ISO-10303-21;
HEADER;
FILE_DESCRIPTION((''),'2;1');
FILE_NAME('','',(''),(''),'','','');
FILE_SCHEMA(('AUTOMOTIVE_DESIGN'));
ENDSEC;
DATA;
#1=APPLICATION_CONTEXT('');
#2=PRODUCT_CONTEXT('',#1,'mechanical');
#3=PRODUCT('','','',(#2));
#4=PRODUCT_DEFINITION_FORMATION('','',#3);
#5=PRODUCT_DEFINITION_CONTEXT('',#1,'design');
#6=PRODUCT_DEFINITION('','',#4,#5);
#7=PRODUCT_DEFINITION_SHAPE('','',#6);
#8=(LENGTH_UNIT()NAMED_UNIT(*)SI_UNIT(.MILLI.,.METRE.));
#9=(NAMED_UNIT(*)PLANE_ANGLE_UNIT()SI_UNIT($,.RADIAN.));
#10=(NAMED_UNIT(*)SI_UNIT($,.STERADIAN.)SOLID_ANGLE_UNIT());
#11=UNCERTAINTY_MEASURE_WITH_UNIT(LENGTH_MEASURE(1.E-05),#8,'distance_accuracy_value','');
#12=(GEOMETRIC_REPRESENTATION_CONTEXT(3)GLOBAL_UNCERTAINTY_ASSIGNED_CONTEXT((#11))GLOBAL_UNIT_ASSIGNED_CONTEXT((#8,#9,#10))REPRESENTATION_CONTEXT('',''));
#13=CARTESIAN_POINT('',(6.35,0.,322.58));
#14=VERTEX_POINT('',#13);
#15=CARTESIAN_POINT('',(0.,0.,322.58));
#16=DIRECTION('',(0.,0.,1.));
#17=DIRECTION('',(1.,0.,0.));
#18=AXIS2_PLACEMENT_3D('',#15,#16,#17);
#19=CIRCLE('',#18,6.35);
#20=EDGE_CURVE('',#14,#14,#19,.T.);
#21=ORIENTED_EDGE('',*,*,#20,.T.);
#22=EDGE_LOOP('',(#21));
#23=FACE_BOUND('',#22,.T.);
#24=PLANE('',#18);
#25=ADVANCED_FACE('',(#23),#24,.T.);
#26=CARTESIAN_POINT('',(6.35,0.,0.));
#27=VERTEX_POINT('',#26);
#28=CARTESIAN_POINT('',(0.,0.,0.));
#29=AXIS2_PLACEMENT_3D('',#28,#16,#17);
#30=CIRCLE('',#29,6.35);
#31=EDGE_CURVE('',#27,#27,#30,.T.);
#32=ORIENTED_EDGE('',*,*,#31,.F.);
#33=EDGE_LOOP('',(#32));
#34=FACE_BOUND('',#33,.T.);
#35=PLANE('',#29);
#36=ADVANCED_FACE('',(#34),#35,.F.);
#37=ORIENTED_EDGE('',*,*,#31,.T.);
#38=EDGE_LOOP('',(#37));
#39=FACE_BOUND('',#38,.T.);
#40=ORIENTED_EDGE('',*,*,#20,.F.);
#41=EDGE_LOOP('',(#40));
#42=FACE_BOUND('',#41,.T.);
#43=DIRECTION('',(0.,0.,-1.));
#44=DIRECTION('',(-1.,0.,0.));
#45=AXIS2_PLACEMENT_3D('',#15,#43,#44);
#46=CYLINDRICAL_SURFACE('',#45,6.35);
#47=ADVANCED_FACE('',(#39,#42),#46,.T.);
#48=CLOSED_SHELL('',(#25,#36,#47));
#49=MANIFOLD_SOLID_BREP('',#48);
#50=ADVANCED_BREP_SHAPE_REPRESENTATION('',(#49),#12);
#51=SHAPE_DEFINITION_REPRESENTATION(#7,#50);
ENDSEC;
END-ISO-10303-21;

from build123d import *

# Parameters (mm, degrees)
SKETCH1_R           = 6.35
BOSS_EXTRUDE1_DEPTH = 322.58


with BuildPart() as part:
    # Sketch1 → Boss-Extrude1 (new body)
    with BuildSketch(Plane.XY):
        Circle(SKETCH1_R)
    extrude(amount=BOSS_EXTRUDE1_DEPTH)


solid = part.part
